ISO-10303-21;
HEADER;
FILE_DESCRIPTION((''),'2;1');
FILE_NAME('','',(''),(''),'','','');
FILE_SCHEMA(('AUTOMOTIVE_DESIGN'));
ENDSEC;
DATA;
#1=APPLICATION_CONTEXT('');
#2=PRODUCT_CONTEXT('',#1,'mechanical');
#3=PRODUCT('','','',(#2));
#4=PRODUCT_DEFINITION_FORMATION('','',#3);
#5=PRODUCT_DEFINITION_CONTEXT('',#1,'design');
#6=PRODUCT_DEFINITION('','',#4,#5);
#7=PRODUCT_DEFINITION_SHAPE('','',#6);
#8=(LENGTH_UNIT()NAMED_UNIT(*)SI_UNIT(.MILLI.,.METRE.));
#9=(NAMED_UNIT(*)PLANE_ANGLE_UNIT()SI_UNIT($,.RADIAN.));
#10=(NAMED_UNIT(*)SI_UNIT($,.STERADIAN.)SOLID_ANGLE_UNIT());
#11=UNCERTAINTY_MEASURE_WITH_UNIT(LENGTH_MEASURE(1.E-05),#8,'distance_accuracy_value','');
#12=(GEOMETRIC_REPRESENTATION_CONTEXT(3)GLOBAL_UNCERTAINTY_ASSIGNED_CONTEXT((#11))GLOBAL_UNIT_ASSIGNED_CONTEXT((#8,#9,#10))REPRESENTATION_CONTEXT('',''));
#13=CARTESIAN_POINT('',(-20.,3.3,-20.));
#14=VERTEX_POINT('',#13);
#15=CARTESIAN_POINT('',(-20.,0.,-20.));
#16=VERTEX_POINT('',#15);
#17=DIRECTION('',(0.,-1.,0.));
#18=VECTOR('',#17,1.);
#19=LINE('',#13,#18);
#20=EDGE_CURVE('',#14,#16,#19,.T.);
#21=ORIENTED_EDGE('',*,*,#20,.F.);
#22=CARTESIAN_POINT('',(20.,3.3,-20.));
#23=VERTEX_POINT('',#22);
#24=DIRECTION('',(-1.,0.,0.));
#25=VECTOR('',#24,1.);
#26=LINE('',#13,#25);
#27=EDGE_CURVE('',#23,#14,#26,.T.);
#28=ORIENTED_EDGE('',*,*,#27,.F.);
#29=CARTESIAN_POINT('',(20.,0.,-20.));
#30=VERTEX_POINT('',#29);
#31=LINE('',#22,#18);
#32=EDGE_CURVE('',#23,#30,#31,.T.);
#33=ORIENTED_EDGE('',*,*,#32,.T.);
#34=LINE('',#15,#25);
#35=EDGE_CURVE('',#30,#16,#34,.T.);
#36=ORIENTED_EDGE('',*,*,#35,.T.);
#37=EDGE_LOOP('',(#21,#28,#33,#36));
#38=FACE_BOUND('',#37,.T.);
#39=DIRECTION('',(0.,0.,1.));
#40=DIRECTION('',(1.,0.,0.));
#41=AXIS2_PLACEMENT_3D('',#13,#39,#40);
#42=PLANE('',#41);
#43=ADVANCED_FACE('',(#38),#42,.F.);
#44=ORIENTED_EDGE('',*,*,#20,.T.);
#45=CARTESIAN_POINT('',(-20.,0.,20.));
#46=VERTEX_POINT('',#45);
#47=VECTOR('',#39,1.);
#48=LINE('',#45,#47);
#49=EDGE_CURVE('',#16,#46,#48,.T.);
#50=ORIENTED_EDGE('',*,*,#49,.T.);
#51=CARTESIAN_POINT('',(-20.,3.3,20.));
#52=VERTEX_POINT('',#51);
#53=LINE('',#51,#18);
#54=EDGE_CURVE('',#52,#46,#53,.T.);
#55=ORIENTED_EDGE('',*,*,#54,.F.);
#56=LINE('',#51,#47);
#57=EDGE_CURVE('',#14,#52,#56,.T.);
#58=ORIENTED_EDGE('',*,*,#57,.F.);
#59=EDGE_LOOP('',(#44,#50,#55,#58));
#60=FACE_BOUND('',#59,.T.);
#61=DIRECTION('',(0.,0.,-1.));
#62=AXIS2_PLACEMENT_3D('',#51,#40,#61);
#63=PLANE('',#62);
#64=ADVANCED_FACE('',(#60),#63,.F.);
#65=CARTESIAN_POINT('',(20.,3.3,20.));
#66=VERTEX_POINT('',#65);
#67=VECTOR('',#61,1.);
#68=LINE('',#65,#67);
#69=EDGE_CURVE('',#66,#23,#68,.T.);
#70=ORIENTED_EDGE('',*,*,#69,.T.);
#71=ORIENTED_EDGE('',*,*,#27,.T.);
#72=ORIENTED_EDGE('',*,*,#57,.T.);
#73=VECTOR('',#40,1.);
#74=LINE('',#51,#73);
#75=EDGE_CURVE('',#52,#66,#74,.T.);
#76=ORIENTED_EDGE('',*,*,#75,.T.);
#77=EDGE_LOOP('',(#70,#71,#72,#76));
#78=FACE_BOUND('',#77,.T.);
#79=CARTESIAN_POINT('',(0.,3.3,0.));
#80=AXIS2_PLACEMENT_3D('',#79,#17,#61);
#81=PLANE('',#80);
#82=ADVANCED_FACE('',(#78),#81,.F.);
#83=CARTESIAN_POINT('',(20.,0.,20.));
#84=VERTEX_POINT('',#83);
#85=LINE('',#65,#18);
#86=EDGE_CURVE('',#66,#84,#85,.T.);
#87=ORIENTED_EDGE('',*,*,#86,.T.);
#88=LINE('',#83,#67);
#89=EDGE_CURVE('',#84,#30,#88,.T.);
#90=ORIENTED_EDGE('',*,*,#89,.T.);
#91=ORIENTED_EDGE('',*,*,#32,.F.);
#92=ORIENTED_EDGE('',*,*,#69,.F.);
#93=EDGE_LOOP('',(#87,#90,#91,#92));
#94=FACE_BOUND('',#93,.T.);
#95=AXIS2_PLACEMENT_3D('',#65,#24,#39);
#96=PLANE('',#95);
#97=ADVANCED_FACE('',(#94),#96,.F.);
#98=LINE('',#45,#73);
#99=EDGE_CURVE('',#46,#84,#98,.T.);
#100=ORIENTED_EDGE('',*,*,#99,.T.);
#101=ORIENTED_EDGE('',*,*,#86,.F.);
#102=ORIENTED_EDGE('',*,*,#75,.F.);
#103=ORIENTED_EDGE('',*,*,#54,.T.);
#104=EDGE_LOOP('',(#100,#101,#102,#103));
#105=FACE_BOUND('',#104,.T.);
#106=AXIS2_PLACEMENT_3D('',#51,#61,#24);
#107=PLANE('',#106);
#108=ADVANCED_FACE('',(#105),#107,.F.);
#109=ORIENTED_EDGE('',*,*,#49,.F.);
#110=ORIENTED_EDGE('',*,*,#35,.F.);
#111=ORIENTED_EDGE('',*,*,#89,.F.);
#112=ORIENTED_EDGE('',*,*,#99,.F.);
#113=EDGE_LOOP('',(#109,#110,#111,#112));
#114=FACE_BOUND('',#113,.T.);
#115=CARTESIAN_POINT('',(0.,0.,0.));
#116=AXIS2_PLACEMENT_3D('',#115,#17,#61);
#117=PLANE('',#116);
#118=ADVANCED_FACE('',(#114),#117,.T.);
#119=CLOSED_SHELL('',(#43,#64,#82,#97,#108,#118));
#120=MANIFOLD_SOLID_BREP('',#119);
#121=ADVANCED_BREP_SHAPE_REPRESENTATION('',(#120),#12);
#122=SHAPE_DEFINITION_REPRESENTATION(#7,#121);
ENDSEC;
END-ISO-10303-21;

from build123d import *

# Parameters (mm, degrees)
SKETCH1_W           = 40
SKETCH1_H           = 40
BOSS_EXTRUDE1_DEPTH = 3.3


with BuildPart() as part:
    # Sketch1 → Boss-Extrude1 (new body)
    with BuildSketch(Plane(origin=(0, 0, 0), x_dir=(1, 0, 0), z_dir=(0, 1, 0))):
        Rectangle(SKETCH1_W, SKETCH1_H)
    extrude(amount=BOSS_EXTRUDE1_DEPTH)


solid = part.part
